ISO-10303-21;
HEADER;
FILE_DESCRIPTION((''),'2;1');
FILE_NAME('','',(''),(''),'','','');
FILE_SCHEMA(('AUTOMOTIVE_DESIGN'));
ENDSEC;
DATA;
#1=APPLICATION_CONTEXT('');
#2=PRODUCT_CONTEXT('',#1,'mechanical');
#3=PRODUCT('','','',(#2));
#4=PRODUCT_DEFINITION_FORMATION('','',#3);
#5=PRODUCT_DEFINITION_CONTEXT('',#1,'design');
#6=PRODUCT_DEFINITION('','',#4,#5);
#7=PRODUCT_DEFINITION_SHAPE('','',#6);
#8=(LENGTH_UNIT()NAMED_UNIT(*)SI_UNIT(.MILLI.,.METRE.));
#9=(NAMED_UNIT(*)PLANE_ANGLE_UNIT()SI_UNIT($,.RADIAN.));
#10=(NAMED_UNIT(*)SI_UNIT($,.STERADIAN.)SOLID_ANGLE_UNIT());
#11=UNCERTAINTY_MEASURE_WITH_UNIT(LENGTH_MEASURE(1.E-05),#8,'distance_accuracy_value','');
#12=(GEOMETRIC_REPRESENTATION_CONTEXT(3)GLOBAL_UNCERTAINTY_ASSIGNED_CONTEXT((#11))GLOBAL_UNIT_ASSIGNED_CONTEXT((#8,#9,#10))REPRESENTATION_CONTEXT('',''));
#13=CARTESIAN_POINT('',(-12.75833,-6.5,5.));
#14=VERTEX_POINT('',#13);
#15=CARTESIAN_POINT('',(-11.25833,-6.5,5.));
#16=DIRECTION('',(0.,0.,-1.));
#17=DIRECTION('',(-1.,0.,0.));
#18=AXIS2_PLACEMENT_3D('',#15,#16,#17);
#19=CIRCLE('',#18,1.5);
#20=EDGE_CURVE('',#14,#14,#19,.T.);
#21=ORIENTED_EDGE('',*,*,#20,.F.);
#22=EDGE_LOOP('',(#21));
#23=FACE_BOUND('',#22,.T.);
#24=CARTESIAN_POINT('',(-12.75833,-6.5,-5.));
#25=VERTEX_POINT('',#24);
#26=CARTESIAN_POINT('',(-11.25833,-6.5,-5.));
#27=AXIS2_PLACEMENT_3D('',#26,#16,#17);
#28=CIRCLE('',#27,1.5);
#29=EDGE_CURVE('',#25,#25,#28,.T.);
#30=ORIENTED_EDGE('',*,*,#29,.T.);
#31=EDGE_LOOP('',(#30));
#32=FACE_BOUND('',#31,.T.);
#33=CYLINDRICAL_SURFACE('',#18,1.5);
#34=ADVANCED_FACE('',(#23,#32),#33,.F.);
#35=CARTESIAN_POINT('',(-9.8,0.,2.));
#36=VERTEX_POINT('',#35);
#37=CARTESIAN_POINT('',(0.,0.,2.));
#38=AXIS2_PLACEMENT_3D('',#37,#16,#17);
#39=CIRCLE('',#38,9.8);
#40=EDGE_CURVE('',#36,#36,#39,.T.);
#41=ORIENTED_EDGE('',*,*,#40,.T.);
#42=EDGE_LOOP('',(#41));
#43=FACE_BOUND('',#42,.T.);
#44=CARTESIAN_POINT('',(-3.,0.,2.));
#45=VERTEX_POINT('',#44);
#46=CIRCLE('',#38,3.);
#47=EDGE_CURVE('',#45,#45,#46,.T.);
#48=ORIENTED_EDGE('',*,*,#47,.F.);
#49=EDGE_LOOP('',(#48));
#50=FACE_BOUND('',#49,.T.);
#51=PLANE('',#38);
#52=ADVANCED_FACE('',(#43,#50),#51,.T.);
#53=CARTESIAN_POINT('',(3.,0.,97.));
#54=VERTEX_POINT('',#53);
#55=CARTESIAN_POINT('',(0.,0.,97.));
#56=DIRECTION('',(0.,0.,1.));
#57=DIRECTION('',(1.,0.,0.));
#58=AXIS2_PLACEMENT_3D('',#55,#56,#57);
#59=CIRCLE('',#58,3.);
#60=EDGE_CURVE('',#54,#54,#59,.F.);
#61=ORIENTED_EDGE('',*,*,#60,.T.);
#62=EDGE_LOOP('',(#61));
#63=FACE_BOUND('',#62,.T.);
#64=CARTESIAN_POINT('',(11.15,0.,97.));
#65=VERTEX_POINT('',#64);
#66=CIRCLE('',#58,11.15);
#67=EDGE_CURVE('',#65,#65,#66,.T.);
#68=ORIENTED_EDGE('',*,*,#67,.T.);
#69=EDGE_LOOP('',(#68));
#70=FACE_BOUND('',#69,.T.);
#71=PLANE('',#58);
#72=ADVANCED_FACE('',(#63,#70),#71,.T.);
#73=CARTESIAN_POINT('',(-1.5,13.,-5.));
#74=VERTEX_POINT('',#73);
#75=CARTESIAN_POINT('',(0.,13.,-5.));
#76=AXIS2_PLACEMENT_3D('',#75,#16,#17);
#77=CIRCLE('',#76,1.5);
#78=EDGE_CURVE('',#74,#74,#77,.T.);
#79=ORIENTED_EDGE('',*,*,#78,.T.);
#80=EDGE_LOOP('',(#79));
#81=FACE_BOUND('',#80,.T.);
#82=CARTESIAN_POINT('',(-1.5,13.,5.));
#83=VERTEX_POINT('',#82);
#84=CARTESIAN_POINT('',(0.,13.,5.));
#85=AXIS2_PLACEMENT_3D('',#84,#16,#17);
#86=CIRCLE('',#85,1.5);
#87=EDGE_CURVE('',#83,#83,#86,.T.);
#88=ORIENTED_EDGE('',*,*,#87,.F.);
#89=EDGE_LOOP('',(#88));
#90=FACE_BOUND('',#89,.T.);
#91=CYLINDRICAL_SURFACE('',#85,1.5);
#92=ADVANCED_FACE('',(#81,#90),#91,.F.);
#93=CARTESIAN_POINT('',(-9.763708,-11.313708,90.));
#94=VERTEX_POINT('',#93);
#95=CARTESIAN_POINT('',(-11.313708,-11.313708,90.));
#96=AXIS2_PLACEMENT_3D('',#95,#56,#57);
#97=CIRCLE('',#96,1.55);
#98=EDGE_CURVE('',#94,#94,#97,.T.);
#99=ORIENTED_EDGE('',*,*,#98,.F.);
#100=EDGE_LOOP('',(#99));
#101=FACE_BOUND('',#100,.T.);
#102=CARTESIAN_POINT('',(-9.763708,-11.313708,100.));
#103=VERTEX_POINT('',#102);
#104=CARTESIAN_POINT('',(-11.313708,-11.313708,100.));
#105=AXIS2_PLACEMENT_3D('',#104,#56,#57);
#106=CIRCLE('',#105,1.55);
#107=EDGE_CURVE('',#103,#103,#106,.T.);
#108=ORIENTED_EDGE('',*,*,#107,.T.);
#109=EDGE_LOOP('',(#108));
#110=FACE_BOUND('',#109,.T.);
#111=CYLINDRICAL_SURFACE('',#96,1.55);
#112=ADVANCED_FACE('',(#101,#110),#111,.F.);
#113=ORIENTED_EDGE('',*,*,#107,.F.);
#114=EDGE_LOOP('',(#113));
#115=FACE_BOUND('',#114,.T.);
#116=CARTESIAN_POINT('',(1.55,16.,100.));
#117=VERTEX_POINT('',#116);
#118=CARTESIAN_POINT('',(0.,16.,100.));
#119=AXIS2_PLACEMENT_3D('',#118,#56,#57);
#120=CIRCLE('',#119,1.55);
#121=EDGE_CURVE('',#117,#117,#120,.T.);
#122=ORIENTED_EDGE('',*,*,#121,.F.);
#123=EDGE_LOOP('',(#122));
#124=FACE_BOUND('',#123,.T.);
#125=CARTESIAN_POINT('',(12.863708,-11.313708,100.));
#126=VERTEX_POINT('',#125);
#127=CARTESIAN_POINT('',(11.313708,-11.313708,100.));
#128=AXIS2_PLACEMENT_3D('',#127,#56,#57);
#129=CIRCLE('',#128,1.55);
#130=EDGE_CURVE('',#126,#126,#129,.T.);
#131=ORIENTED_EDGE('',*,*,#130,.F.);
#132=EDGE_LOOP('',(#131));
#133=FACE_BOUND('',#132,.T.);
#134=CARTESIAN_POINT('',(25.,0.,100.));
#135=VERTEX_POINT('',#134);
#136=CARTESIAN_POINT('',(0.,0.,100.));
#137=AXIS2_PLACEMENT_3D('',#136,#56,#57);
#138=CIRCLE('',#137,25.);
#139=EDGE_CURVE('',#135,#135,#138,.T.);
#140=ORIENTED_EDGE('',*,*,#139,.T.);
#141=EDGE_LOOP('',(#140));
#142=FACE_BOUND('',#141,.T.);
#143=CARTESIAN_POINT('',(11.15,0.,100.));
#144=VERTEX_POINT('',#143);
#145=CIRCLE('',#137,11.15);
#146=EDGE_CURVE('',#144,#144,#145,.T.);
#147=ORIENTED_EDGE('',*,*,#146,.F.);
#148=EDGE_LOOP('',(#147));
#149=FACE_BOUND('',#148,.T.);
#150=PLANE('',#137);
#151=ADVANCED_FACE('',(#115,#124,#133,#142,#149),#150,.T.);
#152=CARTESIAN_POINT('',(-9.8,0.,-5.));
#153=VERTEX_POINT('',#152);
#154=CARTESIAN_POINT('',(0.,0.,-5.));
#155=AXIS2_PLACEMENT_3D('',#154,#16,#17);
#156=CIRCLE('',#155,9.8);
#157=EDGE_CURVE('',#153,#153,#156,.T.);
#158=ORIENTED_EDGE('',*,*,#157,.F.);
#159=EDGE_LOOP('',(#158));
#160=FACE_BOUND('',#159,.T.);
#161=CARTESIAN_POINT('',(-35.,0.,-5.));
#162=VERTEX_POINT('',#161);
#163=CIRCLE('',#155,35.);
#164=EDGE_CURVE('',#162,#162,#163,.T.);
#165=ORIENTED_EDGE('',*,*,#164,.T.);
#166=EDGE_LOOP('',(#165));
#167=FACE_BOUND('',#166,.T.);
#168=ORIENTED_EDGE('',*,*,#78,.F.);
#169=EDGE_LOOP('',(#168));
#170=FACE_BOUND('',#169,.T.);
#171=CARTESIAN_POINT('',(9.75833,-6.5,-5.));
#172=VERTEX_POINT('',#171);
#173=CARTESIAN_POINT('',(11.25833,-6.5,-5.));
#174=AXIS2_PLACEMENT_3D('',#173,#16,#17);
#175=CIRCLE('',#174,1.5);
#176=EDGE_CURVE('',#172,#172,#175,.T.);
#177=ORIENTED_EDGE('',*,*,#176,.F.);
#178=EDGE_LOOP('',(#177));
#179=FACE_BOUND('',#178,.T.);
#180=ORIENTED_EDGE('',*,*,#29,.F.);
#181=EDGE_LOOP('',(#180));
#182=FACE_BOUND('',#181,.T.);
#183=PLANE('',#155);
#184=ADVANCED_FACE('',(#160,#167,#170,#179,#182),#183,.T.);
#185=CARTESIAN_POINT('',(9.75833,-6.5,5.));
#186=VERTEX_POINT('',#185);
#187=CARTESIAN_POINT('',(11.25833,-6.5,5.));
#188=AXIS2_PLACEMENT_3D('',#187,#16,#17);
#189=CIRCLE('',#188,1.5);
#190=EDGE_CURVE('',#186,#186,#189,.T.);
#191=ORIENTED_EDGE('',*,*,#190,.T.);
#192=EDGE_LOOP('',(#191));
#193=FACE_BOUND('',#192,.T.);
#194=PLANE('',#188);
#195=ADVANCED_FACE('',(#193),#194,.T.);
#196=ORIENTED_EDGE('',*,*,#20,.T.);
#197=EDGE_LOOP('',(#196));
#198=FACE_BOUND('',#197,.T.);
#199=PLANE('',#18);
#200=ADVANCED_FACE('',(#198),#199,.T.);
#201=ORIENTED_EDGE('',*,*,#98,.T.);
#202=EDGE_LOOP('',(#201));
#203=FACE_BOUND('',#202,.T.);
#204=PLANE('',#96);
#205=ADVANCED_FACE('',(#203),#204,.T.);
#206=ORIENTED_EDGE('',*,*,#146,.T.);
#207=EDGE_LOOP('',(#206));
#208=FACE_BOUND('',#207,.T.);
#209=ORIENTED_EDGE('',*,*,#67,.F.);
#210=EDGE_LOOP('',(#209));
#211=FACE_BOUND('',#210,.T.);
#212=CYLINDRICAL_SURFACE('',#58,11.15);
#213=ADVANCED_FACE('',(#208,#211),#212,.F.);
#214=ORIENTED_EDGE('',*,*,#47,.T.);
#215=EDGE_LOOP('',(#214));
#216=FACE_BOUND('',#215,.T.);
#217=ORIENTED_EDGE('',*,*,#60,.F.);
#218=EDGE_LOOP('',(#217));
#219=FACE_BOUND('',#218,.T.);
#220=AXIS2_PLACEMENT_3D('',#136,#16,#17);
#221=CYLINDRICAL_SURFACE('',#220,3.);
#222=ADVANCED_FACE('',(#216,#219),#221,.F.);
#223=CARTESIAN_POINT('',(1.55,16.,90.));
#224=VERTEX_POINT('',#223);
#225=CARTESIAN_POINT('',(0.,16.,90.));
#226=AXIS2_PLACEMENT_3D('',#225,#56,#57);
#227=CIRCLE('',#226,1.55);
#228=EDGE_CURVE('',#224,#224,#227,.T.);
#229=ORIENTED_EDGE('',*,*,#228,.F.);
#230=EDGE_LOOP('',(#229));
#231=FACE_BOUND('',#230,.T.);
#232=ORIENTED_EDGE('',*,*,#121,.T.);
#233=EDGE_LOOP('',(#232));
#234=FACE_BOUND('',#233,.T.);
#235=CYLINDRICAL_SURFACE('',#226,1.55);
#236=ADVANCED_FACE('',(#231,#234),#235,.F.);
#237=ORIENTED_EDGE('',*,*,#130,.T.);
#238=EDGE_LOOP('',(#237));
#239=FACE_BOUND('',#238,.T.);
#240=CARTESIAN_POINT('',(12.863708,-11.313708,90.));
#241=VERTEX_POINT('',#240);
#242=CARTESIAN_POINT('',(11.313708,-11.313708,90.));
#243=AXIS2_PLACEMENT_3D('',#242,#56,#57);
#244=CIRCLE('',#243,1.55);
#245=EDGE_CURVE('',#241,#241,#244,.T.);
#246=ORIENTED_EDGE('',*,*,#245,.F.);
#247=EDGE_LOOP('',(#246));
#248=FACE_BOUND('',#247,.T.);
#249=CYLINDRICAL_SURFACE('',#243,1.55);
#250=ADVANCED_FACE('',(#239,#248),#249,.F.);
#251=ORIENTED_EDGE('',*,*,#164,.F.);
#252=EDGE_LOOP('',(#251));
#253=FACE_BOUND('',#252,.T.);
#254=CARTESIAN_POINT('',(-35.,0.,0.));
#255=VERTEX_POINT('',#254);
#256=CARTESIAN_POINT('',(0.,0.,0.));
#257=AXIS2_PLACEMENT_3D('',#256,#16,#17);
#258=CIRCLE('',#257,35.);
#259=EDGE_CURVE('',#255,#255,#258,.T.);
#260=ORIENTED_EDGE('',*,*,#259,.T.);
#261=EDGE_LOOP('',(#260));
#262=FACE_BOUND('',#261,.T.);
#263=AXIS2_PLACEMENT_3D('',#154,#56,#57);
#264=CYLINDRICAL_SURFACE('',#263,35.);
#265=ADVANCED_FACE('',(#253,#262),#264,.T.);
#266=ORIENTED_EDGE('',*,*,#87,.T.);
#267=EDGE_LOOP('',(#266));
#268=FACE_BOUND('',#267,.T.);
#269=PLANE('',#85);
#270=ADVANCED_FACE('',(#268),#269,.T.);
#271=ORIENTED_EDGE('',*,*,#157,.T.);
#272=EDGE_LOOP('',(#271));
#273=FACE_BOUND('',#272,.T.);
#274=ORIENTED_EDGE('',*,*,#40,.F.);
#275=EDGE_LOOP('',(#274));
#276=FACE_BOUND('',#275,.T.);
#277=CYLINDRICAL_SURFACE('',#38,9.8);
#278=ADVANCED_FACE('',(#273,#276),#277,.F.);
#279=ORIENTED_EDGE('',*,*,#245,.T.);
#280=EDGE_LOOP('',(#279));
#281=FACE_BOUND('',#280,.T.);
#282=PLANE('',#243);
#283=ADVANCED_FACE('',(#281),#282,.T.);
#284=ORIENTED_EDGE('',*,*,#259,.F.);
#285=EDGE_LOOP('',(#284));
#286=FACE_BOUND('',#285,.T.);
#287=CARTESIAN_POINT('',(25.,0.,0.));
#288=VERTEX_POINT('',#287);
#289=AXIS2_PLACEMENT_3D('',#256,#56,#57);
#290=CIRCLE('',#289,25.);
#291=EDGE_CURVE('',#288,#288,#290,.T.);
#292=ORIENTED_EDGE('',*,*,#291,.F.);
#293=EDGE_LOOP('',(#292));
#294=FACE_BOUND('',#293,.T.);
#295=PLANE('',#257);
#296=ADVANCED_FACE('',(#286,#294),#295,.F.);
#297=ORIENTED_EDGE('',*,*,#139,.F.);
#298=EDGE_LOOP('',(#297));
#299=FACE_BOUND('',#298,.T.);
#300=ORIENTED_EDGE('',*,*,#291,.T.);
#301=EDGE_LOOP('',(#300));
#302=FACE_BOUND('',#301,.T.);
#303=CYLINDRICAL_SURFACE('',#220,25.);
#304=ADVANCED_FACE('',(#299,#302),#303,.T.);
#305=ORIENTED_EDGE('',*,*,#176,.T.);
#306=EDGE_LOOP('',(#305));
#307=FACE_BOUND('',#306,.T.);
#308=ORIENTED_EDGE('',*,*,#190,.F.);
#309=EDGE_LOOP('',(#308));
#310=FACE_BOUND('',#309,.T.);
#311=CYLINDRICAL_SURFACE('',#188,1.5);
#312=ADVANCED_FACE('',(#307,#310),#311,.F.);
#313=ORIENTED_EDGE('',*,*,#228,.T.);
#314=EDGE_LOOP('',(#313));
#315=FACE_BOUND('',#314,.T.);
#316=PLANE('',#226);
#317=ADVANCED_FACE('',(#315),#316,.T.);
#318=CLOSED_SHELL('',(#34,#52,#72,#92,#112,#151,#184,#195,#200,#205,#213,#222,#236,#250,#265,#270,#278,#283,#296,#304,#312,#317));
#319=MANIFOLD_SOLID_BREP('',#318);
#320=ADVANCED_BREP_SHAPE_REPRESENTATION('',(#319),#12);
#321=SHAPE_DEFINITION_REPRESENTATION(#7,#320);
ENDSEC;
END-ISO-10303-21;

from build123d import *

# Parameters (mm, degrees)
SKETCH_1_R          = 25
EXTRUDE_1_DEPTH     = 100
SKETCH_2_R          = 35
EXTRUDE_2_DEPTH     = 5
SKETCH_4_R          = 9.8
CUT_EXTRUDE_1_DEPTH = 7
SKETCH_5_R          = 3
CUT_EXTRUDE_2_DEPTH = 106
SKETCH_6_R          = 1.5
CUT_EXTRUDE_3_DEPTH = 10
SKETCH_7_R          = 11.15
CUT_EXTRUDE_4_DEPTH = 3
SKETCH_8_R          = 1.55
CUT_EXTRUDE_5_DEPTH = 10


with BuildPart() as part:
    # Эскиз1 → Бобышка-Вытянуть1 (new body)
    with BuildSketch(Plane.XY):
        Circle(SKETCH_1_R)
    extrude(amount=EXTRUDE_1_DEPTH)

    # Эскиз2 → Бобышка-Вытянуть2 (add)
    with BuildSketch(Plane(origin=(0, 0, 0), x_dir=(-1, 0, 0), z_dir=(0, 0, -1))):
        Circle(SKETCH_2_R)
    extrude(amount=EXTRUDE_2_DEPTH)

    # Эскиз4 → Вырез-Вытянуть1 (cut)
    with BuildSketch(Plane(origin=(0, 0, -5), x_dir=(-1, 0, 0), z_dir=(0, 0, -1))):
        Circle(SKETCH_4_R)
    extrude(amount=-CUT_EXTRUDE_1_DEPTH, mode=Mode.SUBTRACT)

    # Эскиз5 → Вырез-Вытянуть2 (cut, through all)
    with BuildSketch(Plane(origin=(0, 0, -5), x_dir=(-1, 0, 0), z_dir=(0, 0, -1))):
        Circle(SKETCH_5_R)
    extrude(amount=-CUT_EXTRUDE_2_DEPTH, mode=Mode.SUBTRACT)

    # Эскиз6 → Вырез-Вытянуть3 (cut)
    with BuildSketch(Plane(origin=(0, 0, -5), x_dir=(-1, 0, 0), z_dir=(0, 0, -1))):
        with Locations((0, 13)):
            Circle(SKETCH_6_R)
        with Locations((11.258330249, -6.5)):
            Circle(SKETCH_6_R)
        with Locations((-11.258330249, -6.5)):
            Circle(SKETCH_6_R)
    extrude(amount=-CUT_EXTRUDE_3_DEPTH, mode=Mode.SUBTRACT)

    # Эскиз7 → Вырез-Вытянуть4 (cut)
    with BuildSketch(Plane.XY.offset(100)):
        Circle(SKETCH_7_R)
    extrude(amount=-CUT_EXTRUDE_4_DEPTH, mode=Mode.SUBTRACT)

    # Эскиз8 → Вырез-Вытянуть5 (cut)
    with BuildSketch(Plane.XY.offset(100)):
        with Locations((0, 16)):
            Circle(SKETCH_8_R)
        with Locations((-11.313708499, -11.313708499)):
            Circle(SKETCH_8_R)
        with Locations((11.313708499, -11.313708499)):
            Circle(SKETCH_8_R)
    extrude(amount=-CUT_EXTRUDE_5_DEPTH, mode=Mode.SUBTRACT)


solid = part.part
